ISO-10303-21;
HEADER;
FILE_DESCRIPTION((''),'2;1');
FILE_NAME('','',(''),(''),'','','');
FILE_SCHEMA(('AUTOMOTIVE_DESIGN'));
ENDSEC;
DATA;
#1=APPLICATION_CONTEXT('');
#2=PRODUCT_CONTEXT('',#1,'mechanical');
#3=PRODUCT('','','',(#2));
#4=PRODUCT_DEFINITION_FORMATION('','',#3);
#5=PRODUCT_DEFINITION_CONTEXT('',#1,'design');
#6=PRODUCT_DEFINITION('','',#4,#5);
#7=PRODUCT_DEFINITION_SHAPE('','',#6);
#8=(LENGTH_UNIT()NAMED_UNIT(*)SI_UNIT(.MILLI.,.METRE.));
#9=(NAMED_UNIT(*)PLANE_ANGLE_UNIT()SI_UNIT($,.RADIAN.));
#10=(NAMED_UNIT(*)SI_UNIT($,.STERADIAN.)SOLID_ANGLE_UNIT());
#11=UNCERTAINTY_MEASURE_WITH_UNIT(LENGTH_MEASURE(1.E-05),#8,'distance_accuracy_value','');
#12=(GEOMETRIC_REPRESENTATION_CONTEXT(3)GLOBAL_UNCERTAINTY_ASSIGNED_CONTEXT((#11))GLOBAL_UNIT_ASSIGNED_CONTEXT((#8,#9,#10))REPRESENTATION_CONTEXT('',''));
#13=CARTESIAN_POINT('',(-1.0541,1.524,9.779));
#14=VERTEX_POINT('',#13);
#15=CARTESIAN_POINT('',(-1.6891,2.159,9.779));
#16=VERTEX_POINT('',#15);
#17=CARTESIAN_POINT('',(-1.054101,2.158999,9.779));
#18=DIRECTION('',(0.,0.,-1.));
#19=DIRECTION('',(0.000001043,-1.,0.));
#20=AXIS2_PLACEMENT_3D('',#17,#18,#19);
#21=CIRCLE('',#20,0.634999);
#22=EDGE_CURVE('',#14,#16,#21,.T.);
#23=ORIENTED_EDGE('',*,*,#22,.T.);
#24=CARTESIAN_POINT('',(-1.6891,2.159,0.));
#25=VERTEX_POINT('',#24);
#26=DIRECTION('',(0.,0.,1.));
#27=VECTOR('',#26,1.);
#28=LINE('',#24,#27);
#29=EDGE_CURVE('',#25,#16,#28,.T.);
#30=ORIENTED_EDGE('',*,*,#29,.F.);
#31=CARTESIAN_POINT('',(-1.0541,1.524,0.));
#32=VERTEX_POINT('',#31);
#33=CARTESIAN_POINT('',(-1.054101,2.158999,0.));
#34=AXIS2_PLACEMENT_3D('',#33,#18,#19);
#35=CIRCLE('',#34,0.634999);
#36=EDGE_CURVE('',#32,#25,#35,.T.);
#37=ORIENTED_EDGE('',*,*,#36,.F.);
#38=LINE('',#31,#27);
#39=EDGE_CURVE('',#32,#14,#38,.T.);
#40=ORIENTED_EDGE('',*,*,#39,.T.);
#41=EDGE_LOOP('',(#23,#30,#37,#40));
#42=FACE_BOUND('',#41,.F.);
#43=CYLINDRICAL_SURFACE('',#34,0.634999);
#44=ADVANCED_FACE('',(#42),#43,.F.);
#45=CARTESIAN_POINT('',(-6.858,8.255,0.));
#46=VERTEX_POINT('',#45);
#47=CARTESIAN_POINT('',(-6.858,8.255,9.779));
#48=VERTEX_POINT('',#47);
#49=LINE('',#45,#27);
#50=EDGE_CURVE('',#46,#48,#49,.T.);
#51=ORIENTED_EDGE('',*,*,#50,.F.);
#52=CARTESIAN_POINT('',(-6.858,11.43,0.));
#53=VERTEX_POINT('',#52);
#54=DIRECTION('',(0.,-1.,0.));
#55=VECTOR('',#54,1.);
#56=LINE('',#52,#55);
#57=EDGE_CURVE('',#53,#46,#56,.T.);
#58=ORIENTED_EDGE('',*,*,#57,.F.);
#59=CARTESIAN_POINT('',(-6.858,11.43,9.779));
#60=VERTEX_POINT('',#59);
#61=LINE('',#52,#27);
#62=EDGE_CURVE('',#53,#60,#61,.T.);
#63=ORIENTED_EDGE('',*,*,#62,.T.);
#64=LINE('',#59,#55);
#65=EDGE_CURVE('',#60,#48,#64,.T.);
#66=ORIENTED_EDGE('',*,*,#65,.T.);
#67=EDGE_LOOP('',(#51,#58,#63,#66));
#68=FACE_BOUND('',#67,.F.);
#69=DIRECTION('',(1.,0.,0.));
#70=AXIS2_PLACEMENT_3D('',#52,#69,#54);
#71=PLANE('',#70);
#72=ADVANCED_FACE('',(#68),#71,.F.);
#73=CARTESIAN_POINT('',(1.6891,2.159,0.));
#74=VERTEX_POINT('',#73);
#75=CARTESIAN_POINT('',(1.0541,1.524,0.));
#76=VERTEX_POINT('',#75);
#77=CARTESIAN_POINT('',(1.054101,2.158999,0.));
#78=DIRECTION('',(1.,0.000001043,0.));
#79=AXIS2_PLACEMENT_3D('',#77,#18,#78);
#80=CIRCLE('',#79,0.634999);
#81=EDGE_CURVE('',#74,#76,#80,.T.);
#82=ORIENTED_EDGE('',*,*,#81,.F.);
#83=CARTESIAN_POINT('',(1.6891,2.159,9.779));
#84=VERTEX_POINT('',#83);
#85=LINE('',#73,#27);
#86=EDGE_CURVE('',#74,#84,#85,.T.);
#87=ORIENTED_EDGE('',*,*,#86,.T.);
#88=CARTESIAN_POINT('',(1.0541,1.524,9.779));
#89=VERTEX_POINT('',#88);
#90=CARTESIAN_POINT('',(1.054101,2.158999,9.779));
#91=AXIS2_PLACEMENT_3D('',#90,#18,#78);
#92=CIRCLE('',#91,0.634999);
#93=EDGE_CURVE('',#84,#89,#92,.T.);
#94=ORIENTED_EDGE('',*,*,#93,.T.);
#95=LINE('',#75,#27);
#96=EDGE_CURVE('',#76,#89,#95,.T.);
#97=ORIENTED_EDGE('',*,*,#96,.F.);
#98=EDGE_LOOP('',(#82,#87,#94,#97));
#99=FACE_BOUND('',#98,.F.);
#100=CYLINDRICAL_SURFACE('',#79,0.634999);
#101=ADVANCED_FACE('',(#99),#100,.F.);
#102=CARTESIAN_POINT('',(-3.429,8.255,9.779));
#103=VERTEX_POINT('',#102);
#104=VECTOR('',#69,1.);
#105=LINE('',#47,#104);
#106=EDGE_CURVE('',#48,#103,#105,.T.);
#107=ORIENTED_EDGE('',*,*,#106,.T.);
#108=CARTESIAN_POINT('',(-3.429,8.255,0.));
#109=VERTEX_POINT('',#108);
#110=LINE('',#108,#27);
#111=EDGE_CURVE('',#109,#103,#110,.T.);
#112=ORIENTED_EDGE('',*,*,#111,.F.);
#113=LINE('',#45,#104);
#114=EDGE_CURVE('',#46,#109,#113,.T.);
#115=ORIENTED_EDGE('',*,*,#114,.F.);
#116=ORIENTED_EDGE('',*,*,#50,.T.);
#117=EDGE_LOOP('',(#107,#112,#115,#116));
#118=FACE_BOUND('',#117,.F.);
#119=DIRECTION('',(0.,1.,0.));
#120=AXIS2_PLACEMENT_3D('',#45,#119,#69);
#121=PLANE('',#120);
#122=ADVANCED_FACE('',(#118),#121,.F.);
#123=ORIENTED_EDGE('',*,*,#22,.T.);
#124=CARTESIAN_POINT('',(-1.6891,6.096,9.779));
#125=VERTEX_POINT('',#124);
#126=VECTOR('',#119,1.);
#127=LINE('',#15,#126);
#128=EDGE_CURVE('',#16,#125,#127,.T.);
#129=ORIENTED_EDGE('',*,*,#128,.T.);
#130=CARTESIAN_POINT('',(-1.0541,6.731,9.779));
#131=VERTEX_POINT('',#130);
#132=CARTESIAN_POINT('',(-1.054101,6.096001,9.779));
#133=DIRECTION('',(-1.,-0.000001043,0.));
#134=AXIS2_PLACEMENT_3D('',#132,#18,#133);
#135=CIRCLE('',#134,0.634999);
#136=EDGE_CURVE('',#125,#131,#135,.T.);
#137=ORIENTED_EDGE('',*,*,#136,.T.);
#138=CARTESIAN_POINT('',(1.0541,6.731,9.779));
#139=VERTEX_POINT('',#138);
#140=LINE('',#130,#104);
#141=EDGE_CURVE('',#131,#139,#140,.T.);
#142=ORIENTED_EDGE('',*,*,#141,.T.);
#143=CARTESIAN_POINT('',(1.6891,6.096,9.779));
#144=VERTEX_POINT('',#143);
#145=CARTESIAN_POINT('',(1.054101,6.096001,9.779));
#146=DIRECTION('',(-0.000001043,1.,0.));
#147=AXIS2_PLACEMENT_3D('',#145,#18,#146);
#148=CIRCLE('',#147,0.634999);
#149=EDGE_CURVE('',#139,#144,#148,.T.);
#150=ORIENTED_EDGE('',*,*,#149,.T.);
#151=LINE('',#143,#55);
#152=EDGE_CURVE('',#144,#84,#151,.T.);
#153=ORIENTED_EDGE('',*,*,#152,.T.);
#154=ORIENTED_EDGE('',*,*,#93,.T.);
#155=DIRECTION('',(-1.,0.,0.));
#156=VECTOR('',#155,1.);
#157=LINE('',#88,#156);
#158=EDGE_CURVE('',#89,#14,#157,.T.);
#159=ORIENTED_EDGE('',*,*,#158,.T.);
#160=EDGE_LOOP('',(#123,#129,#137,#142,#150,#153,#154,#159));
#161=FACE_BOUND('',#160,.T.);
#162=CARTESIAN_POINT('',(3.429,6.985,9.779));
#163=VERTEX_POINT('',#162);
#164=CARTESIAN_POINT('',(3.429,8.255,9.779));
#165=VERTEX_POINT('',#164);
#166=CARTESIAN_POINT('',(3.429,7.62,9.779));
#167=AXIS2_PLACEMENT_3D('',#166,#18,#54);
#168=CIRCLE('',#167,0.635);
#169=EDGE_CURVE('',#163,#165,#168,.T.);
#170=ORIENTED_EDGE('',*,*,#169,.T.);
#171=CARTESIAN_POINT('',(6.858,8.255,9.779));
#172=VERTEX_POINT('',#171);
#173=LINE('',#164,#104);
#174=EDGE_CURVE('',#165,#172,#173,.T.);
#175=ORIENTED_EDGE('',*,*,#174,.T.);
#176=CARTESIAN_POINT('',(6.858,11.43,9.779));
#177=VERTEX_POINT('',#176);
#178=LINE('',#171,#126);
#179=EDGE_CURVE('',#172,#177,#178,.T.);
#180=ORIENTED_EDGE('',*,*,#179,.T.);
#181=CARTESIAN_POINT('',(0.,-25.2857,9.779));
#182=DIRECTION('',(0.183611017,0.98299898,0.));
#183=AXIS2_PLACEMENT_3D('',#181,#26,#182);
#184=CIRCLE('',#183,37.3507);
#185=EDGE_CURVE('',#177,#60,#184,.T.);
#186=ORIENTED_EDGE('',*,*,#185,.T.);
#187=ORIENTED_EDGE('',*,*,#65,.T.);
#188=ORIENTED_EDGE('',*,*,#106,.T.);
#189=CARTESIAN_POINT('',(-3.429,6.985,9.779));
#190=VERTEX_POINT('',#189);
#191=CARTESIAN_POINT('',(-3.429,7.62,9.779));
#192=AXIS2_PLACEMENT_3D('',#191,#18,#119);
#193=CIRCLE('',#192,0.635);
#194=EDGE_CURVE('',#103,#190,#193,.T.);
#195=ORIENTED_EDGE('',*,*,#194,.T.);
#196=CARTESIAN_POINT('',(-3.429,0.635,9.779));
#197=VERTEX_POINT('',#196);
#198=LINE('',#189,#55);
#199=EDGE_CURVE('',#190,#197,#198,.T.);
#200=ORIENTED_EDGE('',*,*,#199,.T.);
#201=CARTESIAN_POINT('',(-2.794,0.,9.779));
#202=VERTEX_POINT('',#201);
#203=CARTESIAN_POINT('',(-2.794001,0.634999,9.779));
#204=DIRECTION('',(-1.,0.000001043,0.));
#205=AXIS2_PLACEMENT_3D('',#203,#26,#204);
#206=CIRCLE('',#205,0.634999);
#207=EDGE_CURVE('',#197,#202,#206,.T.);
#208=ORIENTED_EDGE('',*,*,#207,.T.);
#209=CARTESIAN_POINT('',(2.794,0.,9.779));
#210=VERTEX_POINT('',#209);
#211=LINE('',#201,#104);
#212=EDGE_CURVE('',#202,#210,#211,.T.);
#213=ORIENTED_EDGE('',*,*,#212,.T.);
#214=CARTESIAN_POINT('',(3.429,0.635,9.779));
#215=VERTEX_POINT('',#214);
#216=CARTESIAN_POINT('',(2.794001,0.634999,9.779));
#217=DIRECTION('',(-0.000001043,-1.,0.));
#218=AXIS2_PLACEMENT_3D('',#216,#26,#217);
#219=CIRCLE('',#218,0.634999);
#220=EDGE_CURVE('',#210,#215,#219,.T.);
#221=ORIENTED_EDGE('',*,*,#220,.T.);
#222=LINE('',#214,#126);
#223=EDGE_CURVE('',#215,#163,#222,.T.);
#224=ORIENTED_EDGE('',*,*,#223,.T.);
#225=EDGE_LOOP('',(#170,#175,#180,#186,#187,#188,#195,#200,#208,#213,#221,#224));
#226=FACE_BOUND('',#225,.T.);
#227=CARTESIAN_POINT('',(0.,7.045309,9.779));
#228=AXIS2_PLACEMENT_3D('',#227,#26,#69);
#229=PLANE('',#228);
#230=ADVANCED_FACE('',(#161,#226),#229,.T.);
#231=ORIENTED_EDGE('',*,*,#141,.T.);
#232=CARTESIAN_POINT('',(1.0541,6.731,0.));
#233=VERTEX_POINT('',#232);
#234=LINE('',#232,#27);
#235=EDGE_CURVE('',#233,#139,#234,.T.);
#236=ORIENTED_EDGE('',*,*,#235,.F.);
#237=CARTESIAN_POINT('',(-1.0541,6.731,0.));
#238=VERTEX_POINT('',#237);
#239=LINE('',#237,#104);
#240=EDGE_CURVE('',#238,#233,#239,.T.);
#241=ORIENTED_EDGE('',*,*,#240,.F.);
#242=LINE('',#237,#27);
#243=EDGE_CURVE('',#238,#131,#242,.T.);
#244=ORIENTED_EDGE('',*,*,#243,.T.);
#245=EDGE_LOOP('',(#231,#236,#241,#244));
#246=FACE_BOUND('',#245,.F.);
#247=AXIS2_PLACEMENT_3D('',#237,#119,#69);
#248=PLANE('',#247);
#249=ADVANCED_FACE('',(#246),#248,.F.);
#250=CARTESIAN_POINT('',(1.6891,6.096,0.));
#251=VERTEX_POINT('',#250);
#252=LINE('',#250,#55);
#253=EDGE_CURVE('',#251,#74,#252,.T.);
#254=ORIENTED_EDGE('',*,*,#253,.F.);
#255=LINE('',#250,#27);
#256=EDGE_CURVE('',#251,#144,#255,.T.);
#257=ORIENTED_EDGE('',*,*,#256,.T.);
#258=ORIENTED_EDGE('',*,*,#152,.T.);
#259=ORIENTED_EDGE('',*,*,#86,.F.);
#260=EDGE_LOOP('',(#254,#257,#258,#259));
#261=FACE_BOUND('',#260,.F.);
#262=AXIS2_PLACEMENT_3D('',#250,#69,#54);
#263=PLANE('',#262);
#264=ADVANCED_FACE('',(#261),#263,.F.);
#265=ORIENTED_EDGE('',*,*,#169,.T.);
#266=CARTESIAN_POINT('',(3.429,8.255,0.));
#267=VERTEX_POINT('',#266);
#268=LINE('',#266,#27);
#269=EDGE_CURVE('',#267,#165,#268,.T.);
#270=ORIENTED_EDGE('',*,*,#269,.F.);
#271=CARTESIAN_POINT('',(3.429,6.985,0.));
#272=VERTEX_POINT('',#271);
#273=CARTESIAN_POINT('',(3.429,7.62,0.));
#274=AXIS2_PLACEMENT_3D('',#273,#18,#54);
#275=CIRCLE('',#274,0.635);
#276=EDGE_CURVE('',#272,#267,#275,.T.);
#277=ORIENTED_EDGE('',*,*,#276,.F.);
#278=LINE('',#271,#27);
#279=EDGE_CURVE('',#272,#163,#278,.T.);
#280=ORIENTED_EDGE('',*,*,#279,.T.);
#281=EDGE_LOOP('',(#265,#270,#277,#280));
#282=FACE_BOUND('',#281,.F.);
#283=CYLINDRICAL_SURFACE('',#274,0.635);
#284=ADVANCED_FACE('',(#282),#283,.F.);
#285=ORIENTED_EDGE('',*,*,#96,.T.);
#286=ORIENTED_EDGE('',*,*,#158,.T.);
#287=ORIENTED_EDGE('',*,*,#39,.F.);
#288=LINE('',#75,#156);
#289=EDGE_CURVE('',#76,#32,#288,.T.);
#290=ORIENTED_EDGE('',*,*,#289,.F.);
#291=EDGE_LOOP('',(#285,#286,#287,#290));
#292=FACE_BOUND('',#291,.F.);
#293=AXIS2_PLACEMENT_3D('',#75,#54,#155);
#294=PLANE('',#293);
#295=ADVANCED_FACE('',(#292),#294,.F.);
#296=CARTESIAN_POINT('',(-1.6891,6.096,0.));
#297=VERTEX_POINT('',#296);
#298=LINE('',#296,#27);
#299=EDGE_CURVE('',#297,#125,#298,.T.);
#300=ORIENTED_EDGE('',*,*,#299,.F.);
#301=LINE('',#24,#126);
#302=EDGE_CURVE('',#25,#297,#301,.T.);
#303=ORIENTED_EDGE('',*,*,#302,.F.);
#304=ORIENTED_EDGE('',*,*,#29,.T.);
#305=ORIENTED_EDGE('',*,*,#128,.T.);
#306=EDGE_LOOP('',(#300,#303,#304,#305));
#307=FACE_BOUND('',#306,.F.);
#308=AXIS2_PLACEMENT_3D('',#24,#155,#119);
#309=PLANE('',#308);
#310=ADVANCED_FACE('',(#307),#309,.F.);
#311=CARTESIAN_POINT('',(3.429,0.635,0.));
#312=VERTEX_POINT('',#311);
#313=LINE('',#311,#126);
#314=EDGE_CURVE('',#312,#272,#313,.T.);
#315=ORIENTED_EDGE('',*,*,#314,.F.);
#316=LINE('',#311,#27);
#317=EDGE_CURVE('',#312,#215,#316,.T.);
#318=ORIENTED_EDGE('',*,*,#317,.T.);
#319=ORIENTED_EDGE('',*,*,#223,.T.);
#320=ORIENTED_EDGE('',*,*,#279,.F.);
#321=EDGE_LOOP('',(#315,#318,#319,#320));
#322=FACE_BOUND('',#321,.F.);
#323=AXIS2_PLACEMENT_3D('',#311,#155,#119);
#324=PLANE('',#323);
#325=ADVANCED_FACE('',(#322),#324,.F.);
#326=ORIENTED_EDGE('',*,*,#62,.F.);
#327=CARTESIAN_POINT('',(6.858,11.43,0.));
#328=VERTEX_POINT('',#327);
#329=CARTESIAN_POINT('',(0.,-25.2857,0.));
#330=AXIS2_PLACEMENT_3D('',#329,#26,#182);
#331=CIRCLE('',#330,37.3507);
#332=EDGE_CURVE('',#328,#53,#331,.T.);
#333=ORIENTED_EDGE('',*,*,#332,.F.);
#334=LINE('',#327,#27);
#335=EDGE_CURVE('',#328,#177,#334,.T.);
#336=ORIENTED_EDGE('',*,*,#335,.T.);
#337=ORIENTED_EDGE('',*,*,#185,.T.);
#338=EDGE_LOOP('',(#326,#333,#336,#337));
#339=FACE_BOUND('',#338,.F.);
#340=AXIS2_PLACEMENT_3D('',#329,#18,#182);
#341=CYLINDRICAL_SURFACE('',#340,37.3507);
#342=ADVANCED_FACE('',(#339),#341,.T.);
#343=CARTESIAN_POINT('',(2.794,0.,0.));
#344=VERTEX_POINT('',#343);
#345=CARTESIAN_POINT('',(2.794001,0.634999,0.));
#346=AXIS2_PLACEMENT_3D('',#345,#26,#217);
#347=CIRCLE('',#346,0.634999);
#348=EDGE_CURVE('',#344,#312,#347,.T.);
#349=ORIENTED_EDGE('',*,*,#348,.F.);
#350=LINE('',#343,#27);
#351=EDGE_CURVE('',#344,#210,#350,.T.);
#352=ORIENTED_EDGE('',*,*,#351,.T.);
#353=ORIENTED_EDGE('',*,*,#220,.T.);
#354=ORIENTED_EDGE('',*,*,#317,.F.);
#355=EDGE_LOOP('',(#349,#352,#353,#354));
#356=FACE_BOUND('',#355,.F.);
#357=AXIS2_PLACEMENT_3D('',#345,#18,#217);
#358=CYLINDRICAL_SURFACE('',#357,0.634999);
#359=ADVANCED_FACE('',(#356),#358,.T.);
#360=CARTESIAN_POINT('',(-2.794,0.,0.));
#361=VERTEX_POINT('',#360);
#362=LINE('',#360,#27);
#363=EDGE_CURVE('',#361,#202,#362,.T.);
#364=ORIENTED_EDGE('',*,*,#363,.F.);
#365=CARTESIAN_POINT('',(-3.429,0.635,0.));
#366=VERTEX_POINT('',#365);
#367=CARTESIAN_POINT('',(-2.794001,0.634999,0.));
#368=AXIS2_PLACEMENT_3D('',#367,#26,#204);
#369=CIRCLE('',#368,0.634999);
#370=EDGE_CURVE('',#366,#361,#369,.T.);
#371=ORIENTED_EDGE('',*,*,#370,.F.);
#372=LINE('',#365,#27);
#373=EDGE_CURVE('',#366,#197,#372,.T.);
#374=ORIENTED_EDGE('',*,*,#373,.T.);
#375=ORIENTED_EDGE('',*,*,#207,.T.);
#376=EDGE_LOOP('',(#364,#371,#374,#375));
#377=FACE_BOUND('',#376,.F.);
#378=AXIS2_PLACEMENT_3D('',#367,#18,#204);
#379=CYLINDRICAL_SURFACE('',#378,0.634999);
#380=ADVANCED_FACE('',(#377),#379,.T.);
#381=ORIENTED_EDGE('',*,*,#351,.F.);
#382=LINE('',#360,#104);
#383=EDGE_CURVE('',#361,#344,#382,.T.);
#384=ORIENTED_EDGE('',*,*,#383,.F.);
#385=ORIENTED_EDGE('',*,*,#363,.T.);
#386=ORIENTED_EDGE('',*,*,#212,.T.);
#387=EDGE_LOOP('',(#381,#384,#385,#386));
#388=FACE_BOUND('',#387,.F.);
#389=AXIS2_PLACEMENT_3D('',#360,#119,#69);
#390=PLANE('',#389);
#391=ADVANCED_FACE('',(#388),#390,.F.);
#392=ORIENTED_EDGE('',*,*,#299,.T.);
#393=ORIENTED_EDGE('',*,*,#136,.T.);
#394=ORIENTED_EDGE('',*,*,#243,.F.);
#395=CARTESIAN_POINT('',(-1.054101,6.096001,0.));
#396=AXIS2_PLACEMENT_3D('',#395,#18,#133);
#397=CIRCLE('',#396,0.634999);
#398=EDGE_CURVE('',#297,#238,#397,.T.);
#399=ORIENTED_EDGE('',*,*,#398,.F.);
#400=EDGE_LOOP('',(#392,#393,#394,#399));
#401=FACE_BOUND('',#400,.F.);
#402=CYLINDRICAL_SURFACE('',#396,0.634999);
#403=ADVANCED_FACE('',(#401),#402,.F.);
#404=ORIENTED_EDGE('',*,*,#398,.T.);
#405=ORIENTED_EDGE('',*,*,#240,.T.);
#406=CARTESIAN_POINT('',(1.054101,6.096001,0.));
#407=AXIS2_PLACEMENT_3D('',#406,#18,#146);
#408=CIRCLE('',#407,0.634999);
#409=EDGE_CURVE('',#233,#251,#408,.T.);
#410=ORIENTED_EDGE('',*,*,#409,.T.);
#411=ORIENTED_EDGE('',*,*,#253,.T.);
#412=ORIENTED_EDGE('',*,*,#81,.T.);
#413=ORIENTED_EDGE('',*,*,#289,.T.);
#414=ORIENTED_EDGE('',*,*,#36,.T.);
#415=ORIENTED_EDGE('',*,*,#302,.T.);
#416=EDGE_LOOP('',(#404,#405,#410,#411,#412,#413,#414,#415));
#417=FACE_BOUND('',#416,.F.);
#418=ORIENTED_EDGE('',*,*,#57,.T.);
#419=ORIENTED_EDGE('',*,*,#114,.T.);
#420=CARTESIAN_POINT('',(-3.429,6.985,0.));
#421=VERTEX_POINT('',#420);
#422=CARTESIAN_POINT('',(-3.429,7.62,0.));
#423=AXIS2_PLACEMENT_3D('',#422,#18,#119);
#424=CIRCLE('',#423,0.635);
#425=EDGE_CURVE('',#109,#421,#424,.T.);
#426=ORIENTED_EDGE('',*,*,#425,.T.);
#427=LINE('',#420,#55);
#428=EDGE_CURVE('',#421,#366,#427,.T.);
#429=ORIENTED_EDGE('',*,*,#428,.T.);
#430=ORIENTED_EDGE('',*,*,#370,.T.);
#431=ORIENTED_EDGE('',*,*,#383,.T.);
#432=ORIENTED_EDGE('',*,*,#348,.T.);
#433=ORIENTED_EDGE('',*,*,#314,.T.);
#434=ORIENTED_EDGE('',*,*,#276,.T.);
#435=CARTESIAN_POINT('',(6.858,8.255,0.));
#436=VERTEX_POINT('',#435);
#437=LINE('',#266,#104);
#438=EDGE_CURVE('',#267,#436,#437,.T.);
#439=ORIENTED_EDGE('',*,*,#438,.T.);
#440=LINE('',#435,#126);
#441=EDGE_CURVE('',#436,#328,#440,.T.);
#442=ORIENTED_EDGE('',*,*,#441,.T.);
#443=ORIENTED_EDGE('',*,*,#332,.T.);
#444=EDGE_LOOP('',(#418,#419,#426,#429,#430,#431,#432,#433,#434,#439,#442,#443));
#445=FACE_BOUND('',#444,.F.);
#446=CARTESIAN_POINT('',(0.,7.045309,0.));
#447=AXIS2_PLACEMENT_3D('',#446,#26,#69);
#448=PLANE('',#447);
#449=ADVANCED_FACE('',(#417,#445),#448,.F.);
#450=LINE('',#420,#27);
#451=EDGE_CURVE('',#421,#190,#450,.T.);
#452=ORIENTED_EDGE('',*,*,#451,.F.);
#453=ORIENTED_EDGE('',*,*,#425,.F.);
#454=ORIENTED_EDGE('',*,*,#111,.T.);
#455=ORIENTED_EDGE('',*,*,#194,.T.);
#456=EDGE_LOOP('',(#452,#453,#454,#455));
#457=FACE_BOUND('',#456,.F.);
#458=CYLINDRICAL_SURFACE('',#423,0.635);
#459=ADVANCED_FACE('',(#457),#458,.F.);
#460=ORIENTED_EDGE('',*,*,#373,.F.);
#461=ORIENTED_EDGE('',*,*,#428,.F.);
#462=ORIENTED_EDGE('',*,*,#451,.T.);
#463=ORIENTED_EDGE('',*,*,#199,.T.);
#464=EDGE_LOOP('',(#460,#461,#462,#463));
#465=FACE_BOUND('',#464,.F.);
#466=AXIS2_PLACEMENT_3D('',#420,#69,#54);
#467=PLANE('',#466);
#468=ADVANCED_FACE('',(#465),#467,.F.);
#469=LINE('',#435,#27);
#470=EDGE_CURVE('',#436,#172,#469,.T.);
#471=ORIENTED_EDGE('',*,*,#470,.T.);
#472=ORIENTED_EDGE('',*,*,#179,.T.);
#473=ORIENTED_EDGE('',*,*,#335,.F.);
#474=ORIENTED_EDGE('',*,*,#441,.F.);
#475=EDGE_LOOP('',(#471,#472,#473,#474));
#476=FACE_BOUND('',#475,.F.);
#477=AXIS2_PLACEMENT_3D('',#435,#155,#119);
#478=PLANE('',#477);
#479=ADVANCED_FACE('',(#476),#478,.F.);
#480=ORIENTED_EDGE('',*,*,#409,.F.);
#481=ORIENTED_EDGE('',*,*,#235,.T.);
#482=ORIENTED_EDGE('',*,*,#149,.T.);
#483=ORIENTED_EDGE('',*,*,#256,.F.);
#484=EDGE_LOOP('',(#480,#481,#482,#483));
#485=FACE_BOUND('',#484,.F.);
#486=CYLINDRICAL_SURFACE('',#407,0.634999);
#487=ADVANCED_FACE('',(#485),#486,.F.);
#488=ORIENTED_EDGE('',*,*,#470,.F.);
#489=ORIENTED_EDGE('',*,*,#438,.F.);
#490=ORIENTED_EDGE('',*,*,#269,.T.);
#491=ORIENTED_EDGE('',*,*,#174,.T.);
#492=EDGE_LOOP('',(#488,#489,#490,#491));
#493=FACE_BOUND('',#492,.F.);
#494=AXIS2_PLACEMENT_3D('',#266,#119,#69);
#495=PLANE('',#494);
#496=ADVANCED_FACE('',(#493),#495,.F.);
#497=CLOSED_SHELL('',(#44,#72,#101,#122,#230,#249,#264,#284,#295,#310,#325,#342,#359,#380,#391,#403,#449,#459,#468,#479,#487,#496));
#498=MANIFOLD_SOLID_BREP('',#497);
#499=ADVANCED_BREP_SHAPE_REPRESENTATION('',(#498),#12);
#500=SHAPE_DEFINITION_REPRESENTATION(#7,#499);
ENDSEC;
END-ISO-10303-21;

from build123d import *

# Parameters (mm, degrees)
F1_DEPTH = 9.779


with BuildPart() as f1:
    # F0 (on Top) → F1 (new body)
    with BuildSketch(Plane.XY):
        with BuildLine():
            ThreePointArc((-3.429, 0.635), (-3.243013, 0.185987), (-2.794, 0))
            Line((-2.794, 0), (2.794, 0))
            ThreePointArc((2.794, 0), (3.243013, 0.185987), (3.429, 0.635))
            Line((3.429, 0.635), (3.429, 6.985))
            ThreePointArc((3.429, 6.985), (2.794, 7.62), (3.429, 8.255))
            Line((3.429, 8.255), (6.858, 8.255))
            Line((6.858, 8.255), (6.858, 11.43))
            ThreePointArc((6.858, 11.43), (0, 12.065), (-6.858, 11.43))
            Line((-6.858, 11.43), (-6.858, 8.255))
            Line((-6.858, 8.255), (-3.429, 8.255))
            ThreePointArc((-3.429, 8.255), (-2.794, 7.62), (-3.429, 6.985))
            Line((-3.429, 6.985), (-3.429, 0.635))
        make_face()
        with BuildLine():
            ThreePointArc((-1.6891, 6.096), (-1.503113, 6.545013), (-1.0541, 6.731))
            Line((-1.0541, 6.731), (1.0541, 6.731))
            ThreePointArc((1.0541, 6.731), (1.503113, 6.545013), (1.6891, 6.096))
            Line((1.6891, 6.096), (1.6891, 2.159))
            ThreePointArc((1.6891, 2.159), (1.503113, 1.709987), (1.0541, 1.524))
            Line((1.0541, 1.524), (-1.0541, 1.524))
            ThreePointArc((-1.0541, 1.524), (-1.503113, 1.709987), (-1.6891, 2.159))
            Line((-1.6891, 2.159), (-1.6891, 6.096))
        make_face(mode=Mode.SUBTRACT)
    extrude(amount=F1_DEPTH)


solid = f1.part
